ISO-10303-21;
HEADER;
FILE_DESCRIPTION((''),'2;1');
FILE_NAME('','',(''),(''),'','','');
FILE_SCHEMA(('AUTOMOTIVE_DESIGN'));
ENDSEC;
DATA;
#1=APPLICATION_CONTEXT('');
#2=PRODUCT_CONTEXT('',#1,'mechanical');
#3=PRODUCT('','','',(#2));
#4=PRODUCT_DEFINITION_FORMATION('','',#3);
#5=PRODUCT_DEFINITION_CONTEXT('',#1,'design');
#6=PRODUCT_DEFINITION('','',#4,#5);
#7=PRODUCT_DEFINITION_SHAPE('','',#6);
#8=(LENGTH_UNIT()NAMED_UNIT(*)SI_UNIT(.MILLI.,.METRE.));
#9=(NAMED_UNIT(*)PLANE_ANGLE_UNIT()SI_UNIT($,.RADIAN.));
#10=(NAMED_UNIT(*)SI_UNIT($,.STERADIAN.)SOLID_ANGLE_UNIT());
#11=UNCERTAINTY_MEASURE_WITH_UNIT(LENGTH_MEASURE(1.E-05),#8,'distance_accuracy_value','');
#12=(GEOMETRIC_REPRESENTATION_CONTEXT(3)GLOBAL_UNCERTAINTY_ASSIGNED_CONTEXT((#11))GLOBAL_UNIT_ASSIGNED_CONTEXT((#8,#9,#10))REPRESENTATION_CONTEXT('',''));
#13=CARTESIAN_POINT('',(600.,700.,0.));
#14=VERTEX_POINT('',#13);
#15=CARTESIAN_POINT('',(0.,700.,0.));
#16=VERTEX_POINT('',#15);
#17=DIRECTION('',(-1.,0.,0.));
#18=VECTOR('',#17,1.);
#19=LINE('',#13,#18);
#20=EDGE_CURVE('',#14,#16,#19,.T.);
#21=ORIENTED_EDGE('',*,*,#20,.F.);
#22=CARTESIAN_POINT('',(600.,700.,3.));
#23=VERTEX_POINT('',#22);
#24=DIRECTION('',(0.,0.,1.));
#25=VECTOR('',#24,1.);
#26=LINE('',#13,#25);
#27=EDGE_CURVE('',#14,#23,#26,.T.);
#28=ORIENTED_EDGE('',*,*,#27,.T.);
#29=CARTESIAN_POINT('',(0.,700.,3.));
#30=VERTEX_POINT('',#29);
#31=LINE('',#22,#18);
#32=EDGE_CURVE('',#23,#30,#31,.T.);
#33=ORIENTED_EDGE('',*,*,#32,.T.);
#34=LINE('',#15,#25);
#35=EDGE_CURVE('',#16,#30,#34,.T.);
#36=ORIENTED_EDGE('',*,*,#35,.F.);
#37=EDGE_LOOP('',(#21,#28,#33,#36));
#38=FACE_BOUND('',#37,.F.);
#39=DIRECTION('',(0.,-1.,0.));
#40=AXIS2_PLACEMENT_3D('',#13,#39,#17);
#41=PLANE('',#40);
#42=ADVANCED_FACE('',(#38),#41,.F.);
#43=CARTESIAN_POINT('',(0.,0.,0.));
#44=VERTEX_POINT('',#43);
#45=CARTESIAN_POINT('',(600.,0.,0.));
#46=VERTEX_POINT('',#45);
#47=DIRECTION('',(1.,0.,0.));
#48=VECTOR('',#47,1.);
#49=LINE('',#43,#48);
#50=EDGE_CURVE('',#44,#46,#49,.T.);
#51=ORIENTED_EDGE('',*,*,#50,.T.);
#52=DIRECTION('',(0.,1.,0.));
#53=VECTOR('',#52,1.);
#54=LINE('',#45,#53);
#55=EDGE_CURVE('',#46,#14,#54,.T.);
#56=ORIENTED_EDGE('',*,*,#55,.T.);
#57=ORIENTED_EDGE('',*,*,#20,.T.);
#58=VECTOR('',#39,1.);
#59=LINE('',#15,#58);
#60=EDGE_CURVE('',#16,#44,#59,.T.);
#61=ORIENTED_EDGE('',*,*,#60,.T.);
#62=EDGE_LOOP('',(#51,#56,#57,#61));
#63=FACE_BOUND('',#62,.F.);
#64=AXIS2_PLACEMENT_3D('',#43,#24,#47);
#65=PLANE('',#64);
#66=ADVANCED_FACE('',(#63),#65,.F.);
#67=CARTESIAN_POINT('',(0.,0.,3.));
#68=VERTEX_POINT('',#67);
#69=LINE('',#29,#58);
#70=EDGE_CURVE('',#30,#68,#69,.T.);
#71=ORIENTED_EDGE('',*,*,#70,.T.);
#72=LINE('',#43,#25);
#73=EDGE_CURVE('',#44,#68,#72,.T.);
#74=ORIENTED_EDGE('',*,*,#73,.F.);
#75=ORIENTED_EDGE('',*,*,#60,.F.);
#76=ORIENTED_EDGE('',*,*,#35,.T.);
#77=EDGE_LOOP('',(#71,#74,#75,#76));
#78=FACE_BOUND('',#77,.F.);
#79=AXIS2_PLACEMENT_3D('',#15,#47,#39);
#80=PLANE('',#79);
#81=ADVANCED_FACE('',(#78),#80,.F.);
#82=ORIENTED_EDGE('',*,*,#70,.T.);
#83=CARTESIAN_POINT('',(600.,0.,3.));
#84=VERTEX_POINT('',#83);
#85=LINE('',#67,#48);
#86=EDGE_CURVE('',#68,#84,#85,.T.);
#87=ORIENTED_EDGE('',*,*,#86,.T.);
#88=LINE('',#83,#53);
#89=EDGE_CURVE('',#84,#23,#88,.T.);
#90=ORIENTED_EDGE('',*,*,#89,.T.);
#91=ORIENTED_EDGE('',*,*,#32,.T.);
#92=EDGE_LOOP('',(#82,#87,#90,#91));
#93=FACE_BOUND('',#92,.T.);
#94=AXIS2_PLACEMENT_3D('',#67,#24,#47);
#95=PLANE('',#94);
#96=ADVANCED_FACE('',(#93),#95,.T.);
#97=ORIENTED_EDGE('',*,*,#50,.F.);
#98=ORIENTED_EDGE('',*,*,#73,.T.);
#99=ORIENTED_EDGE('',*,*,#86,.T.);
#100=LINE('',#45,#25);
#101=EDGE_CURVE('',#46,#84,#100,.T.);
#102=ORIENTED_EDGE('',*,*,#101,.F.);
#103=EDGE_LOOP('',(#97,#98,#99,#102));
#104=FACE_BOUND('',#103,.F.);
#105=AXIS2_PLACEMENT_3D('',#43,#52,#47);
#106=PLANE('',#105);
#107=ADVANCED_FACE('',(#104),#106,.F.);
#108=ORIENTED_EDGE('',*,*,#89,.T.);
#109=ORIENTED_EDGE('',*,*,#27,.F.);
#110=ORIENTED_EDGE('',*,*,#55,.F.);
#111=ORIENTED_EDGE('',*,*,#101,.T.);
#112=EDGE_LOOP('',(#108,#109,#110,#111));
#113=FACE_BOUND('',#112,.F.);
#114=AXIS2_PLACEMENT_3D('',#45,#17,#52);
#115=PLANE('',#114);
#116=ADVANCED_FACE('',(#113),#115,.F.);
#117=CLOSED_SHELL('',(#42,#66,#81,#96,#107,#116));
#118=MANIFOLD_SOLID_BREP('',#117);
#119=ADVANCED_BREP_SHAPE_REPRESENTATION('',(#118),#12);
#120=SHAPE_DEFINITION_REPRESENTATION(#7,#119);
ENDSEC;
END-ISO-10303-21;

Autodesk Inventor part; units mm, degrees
ref_plane "YZ Plane" through (0, 0, 0) normal (1, 0, 0) x (0, 1, 0)
ref_plane "XZ Plane" through (0, 0, 0) normal (0, 1, 0) x (-1, 0, 0)
ref_plane "XY Plane" through (0, 0, 0) normal (0, 0, 1) x (1, 0, 0)
sketch "Esboço1" plane through (0, 0, 0) normal (0, 0, 1) x (1, 0, 0)
  line L0 (0, 0) -> (600, 0)
  line L1 (600, 0) -> (600, 700)
  line L2 (600, 700) -> (0, 700)
  line L3 (0, 700) -> (0, 0)
  dimension "d0" = 600
  dimension "d1" = 700
extrude "Extrusão1" add sketch "Esboço1" along normal blind 3
properties part number "tampa" material "MDF - Chapa de fibra de média densidade"
